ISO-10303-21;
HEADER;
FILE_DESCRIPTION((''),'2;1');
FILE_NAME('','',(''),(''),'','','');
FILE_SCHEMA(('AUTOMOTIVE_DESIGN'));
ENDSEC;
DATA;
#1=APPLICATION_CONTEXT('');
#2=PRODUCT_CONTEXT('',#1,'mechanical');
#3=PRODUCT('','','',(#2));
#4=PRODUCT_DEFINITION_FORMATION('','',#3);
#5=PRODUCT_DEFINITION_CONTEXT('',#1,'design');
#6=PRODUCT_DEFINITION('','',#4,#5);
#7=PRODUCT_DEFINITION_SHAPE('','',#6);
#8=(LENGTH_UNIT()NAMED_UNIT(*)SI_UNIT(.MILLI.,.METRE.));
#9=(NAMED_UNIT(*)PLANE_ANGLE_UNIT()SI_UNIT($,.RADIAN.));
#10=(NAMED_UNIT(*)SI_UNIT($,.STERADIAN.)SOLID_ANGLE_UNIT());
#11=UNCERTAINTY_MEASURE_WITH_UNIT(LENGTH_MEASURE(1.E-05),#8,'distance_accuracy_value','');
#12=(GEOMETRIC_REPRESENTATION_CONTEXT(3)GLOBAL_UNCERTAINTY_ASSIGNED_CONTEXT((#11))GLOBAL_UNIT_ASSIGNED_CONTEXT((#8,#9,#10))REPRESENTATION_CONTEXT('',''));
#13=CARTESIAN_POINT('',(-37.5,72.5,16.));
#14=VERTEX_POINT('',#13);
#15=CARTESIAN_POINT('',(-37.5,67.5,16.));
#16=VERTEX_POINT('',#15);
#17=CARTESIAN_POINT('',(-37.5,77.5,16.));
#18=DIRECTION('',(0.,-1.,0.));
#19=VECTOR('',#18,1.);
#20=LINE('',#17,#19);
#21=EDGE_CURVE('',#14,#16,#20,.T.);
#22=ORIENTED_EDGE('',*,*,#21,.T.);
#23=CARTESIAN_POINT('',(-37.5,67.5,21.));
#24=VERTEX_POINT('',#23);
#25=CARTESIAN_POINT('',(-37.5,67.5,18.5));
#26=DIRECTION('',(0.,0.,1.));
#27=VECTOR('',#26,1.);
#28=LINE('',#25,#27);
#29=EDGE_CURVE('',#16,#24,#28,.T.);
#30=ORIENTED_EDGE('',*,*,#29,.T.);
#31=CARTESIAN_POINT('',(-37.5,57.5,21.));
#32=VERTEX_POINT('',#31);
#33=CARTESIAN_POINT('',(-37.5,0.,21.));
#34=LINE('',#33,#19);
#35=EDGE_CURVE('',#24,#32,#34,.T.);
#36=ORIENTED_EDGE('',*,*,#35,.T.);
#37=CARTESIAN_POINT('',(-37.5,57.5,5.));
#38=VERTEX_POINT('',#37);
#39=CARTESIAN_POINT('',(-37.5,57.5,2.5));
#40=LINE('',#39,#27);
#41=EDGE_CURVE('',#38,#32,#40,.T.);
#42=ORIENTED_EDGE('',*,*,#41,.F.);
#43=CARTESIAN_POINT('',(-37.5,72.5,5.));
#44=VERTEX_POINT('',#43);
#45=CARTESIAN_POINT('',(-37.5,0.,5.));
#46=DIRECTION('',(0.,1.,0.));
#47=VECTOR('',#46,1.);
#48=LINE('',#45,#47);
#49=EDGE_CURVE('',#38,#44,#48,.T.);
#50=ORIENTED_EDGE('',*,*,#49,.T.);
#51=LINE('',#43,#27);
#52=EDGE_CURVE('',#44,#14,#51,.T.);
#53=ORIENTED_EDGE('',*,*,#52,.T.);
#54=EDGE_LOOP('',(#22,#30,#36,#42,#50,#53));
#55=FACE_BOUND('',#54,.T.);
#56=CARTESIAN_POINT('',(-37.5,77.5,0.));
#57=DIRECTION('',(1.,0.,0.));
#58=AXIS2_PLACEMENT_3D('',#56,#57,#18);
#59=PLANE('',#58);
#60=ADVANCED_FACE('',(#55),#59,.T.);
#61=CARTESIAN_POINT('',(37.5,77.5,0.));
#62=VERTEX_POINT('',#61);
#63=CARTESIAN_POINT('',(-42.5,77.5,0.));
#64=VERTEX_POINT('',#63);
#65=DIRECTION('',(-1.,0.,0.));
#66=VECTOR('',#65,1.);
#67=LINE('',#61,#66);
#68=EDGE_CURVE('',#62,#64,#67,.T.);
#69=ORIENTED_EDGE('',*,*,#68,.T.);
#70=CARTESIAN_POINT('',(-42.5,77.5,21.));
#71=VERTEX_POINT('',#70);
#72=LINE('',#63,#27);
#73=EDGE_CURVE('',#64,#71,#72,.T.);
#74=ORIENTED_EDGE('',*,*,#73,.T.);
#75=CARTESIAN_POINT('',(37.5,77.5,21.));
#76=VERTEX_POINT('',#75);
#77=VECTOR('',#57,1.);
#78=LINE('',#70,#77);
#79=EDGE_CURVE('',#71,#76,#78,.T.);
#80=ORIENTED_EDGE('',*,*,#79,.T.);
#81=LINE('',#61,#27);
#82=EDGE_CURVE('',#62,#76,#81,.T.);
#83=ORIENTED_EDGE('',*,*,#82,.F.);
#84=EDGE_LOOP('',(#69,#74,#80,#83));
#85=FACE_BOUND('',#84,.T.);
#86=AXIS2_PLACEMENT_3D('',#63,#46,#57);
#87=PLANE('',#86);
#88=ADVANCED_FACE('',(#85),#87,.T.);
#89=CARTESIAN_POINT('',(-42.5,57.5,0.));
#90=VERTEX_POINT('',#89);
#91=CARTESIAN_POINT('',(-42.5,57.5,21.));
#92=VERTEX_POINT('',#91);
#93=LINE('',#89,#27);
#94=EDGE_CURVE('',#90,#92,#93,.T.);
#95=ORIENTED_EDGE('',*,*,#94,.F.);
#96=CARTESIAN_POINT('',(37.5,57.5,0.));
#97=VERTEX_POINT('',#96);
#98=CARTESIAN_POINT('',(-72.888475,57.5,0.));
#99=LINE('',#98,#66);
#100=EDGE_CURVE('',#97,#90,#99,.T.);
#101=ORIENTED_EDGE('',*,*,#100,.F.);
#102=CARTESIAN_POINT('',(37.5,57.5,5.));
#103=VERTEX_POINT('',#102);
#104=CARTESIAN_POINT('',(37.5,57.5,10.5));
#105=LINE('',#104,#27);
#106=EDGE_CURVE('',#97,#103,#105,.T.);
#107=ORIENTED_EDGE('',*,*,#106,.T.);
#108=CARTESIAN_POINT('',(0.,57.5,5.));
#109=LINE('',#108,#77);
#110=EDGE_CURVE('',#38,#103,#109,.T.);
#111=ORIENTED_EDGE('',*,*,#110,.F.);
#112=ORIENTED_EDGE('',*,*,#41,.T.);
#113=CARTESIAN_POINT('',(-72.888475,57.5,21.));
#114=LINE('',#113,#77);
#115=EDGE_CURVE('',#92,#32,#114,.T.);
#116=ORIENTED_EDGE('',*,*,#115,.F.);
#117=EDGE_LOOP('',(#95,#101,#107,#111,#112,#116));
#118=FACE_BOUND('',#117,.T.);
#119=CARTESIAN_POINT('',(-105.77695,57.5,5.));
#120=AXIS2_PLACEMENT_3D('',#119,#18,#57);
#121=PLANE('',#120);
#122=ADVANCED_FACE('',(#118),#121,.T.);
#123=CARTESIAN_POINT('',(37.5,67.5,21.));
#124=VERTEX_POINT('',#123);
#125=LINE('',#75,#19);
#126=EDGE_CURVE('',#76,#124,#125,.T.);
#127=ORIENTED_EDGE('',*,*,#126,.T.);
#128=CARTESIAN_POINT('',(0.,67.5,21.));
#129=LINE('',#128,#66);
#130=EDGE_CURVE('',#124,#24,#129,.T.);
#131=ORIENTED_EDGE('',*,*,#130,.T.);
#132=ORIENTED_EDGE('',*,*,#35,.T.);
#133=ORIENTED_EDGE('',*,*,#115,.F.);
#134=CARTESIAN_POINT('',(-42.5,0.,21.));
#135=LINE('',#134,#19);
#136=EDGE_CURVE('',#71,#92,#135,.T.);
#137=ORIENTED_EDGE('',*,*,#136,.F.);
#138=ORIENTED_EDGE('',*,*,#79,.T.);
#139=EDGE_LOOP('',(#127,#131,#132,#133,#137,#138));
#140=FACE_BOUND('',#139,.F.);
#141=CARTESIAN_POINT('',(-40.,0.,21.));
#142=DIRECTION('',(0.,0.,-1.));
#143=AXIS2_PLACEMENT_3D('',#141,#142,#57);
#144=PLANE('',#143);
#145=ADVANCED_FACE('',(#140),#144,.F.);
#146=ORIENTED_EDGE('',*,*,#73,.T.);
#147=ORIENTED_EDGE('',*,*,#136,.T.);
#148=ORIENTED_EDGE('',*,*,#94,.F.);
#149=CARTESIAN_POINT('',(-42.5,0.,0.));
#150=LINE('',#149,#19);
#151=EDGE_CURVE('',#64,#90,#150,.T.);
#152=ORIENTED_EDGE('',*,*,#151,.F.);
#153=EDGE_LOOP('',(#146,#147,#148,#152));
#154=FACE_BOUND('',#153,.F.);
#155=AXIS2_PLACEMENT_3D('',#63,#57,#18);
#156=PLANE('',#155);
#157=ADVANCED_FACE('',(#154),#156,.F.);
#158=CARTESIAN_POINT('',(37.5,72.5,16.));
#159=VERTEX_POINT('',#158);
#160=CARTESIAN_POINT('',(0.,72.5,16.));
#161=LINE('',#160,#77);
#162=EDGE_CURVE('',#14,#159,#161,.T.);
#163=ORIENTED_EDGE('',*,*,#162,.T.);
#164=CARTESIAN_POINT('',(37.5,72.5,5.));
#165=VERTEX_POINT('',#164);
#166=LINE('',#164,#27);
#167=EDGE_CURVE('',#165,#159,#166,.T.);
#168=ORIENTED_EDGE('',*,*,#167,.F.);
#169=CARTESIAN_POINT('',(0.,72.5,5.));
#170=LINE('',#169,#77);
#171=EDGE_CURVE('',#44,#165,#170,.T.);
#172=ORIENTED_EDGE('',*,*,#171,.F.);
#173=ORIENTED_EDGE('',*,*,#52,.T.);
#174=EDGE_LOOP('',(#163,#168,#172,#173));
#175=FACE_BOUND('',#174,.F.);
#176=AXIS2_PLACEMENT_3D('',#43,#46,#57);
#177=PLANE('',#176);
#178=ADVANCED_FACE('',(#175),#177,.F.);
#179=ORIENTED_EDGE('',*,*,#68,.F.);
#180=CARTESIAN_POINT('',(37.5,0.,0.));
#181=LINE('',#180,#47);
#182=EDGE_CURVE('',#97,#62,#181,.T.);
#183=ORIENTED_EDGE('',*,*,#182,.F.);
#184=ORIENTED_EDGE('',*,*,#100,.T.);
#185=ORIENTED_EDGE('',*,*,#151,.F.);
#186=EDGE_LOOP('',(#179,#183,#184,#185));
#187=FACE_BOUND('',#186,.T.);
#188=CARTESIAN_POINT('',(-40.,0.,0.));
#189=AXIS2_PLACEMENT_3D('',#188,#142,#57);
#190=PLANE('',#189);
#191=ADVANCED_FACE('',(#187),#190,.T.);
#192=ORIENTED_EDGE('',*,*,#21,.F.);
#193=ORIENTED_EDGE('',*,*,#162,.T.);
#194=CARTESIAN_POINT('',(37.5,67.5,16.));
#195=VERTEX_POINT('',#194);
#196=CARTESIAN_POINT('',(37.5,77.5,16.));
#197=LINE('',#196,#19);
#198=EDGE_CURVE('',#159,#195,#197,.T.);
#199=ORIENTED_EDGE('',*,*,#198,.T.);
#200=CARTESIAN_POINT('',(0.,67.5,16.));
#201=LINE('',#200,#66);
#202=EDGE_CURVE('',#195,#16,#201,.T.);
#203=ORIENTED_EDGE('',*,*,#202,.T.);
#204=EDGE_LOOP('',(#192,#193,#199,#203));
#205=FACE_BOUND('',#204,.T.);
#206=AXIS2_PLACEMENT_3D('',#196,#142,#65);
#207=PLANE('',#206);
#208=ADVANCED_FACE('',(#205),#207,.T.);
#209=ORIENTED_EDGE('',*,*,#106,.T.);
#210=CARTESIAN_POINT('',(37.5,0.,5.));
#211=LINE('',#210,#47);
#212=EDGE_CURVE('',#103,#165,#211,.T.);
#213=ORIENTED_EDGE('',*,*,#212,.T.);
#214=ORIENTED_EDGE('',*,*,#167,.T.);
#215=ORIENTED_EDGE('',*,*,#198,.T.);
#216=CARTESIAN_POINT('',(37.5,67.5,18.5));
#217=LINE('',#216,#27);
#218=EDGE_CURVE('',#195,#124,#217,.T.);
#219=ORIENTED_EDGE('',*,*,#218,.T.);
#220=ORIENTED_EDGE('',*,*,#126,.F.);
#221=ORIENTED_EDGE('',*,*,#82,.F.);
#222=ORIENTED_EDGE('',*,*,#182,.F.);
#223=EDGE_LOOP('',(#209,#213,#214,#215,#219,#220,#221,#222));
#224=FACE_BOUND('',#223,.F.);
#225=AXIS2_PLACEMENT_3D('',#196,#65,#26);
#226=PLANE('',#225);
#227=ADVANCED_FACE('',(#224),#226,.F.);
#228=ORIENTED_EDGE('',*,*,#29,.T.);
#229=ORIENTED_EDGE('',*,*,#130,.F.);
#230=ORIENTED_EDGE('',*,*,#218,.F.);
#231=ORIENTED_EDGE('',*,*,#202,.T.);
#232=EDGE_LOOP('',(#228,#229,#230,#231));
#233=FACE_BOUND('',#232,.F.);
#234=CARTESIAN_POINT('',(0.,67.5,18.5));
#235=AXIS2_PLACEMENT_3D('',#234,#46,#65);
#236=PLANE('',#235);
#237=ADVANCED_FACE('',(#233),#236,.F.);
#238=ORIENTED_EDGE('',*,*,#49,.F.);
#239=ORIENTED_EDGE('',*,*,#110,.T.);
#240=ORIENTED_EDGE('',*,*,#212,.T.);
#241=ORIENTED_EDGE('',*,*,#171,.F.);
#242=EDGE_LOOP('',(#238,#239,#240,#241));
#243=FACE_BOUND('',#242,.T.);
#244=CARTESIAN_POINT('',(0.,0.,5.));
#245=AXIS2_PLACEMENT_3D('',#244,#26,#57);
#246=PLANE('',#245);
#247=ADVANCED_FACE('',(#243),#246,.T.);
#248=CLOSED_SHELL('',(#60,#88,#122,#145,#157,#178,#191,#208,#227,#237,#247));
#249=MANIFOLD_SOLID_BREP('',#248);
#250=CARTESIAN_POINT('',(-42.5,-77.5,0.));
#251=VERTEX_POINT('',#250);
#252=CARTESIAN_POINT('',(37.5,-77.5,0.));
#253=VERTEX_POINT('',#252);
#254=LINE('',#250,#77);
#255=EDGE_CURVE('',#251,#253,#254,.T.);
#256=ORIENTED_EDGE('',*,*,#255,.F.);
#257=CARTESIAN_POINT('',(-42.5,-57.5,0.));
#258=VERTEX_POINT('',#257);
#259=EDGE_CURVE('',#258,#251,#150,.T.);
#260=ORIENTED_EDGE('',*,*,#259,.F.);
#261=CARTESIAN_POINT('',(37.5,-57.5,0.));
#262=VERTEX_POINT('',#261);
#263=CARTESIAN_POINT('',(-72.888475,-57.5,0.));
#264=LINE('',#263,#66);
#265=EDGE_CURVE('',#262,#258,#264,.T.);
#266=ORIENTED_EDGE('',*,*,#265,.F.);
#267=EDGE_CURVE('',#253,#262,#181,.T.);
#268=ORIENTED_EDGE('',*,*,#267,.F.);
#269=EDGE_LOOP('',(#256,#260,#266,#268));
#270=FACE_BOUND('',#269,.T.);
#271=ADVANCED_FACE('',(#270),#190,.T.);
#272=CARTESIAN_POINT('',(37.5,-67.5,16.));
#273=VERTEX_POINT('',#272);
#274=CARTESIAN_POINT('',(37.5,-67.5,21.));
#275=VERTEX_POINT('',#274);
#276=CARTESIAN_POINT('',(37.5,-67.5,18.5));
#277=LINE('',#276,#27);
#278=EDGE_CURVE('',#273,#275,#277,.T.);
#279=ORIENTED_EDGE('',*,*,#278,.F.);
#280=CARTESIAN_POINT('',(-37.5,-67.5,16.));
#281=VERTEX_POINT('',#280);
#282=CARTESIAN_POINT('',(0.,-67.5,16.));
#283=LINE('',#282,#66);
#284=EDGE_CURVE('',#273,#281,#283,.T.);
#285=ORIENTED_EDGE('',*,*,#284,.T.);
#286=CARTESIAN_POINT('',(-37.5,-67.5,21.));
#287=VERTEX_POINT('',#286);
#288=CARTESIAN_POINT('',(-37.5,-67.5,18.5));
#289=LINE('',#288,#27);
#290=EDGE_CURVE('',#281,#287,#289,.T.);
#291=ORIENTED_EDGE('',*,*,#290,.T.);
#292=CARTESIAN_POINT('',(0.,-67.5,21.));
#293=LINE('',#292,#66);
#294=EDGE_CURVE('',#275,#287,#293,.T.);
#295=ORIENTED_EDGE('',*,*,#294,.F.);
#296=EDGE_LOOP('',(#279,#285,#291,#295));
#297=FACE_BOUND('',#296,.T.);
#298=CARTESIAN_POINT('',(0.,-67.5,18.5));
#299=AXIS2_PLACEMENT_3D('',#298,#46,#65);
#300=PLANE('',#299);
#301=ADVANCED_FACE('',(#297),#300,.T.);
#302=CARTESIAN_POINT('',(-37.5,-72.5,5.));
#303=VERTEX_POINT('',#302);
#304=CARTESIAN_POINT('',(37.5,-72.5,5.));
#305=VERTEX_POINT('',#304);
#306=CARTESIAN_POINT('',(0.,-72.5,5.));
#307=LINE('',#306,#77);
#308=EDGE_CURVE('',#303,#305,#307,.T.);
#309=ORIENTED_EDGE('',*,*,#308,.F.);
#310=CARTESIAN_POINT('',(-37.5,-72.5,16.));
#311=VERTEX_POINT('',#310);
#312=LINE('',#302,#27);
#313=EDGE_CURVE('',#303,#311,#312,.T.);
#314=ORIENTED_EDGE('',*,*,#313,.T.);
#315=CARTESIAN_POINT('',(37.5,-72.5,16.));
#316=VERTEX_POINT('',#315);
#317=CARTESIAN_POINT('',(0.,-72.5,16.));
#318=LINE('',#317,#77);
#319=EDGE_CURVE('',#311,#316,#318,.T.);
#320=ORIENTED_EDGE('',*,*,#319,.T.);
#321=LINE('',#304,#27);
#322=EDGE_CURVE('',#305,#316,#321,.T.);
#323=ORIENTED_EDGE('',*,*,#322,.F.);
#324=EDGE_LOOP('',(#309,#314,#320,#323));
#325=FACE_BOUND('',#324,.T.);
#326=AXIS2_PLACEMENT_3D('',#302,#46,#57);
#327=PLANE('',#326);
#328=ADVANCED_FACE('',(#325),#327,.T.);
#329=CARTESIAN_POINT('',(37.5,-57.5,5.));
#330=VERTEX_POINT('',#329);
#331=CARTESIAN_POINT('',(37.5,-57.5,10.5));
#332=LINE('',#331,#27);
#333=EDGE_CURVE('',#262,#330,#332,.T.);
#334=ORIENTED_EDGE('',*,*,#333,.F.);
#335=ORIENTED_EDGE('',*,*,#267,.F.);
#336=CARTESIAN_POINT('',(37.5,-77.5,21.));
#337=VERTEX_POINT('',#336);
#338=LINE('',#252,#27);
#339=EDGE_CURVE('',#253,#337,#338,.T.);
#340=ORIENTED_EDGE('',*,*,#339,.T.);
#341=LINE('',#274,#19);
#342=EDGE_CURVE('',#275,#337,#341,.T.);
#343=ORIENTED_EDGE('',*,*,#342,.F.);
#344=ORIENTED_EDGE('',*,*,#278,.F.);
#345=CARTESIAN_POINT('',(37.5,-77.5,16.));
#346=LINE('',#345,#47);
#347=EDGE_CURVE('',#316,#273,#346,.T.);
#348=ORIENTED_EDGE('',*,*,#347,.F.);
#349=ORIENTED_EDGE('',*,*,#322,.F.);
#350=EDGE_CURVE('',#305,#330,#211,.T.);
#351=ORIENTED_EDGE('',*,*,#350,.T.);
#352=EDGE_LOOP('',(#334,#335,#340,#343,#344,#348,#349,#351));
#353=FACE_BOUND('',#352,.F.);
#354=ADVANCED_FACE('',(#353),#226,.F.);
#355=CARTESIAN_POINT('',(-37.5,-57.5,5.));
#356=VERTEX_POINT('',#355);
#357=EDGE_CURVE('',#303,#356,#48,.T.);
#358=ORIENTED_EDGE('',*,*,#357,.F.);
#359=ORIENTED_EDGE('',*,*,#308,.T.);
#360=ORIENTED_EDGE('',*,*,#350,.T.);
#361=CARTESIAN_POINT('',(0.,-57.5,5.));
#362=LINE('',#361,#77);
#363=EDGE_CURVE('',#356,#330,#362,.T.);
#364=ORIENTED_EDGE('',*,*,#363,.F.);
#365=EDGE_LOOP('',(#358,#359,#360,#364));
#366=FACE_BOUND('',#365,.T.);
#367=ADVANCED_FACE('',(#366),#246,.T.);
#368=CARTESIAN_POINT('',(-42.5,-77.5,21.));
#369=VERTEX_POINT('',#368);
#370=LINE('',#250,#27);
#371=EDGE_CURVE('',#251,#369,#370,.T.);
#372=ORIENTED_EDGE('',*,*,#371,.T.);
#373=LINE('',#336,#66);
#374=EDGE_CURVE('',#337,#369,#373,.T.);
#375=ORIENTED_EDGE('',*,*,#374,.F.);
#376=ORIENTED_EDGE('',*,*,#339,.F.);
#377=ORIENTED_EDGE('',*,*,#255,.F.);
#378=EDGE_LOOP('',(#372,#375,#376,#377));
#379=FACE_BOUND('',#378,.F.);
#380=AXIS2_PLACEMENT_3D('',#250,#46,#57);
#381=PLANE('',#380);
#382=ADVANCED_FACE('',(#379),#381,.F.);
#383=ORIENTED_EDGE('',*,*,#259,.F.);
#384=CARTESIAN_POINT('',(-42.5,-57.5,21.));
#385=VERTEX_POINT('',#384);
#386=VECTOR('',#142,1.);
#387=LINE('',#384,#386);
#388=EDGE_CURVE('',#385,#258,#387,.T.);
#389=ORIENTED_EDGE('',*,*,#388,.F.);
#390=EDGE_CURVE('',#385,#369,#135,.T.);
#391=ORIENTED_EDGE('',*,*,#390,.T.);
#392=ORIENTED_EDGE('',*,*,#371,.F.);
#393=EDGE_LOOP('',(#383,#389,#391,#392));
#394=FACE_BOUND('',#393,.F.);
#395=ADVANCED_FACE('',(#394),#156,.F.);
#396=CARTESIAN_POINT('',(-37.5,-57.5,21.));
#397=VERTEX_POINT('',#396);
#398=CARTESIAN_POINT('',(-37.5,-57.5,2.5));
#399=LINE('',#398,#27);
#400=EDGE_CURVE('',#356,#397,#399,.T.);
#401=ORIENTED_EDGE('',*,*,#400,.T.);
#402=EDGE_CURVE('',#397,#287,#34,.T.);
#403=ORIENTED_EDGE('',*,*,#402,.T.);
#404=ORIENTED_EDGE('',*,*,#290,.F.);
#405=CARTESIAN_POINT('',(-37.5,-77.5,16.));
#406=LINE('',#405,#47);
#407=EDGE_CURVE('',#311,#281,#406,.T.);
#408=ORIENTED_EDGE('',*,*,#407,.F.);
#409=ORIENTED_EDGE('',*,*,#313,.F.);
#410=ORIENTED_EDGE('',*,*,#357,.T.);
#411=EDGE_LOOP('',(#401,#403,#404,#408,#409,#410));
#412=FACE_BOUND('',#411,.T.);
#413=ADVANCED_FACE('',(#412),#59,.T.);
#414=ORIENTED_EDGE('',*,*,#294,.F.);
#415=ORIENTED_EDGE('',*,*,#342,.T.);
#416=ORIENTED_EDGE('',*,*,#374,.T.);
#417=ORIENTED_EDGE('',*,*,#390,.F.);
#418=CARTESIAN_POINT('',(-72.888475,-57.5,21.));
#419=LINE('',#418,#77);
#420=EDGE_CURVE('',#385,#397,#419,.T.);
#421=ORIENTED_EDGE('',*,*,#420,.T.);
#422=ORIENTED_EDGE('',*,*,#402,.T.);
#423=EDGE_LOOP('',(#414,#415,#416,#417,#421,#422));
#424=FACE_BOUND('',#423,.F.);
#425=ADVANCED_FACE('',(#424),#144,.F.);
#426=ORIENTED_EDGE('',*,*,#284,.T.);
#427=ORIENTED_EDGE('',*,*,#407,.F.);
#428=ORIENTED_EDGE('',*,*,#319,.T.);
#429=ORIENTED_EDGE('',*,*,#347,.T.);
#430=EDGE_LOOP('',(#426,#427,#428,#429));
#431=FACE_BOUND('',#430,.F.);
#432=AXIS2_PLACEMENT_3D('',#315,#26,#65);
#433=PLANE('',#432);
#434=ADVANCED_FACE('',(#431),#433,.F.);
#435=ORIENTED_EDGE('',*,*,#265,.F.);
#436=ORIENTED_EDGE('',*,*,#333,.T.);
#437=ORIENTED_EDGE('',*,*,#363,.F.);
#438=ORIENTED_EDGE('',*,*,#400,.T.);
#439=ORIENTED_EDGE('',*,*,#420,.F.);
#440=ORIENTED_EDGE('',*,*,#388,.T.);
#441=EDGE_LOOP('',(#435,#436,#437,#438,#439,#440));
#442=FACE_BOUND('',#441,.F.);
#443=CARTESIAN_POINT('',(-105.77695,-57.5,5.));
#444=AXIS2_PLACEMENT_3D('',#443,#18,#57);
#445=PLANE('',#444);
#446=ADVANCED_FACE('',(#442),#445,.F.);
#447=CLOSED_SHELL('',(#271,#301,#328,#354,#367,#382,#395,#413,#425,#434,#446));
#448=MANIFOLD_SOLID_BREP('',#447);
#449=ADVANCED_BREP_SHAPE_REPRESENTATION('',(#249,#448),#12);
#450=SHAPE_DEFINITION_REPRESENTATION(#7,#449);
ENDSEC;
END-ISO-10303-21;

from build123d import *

# Parameters (mm, degrees)
F0_W      = 75
F0_H      = 155
F1_DEPTH  = 5
F2_W      = 75
F2_H      = 5
F3_DEPTH  = 11
F4_W      = 75
F4_H      = 5
F5_DEPTH  = 5
F5_FACE_W = 75
F5_FACE_H = 5
F6_DEPTH  = 5
F8_W      = 75
F8_H      = 5
F9_DEPTH  = 11
F10_W     = 75
F10_H     = 5
F11_DEPTH = 10
F12_W     = 5
F12_H     = 155
F13_DEPTH = 21
F14_W     = 211.5539
F14_H     = 115
F15_DEPTH = 5.001
F16_DEPTH = 25


with BuildPart() as f1:
    # F0 (on Top) → F1 (new body)
    with BuildSketch(Plane.XY):
        Rectangle(F0_W, F0_H)
    extrude(amount=F1_DEPTH)

    # F2 (on face) → F3 (join)
    with BuildSketch(Plane.XY.offset(5)):
        with Locations((0, -75)):
            Rectangle(F2_W, F2_H)
    extrude(amount=F3_DEPTH)


with BuildPart() as f5:
    # F4 (on face) → F5 (new body)
    with BuildSketch(Plane(origin=(0, -72.5, 0), x_dir=(-1, 0, 0), z_dir=(0, 1, 0))):
        with Locations((0, 18.5)):
            Rectangle(F4_W, F4_H)
    extrude(amount=F5_DEPTH)


with BuildPart() as f6:
    # F5_face (on face) → F6 (new body)
    with BuildSketch(Plane(origin=(0, -72.5, 18.5), x_dir=(-1, 0, 0), z_dir=(0, -1, 0))):
        Rectangle(F5_FACE_W, F5_FACE_H)
    extrude(amount=F6_DEPTH)

    # F7: union F5, F1
    add(f5.part)
    add(f1.part)

    # F8 (on face) → F9 (join)
    with BuildSketch(Plane.XY.offset(5)):
        with Locations((0, 75)):
            Rectangle(F8_W, F8_H)
    extrude(amount=F9_DEPTH)

    # F10 (on face) → F11 (join)
    with BuildSketch(Plane(origin=(0, 77.5, 0), x_dir=(-1, 0, 0), z_dir=(0, 1, 0))):
        with Locations((0, 18.5)):
            Rectangle(F10_W, F10_H)
    extrude(amount=-F11_DEPTH)

    # F12 (on face) → F13 (join, through all)
    with BuildSketch(Plane(origin=(0, 0, 0), x_dir=(1, 0, 0), z_dir=(0, 0, -1))):
        with Locations((-40, 0)):
            Rectangle(F12_W, F12_H)
    extrude(amount=-F13_DEPTH)

    # F14 (on face) → F15 (cut, through all)
    with BuildSketch(Plane.XY.offset(5)):
        Rectangle(F14_W, F14_H)
    extrude(amount=-F15_DEPTH, mode=Mode.SUBTRACT)

    # F14 (on face) → F16 (cut)
    with BuildSketch(Plane.XY.offset(5)):
        Rectangle(F14_W, F14_H)
    extrude(amount=F16_DEPTH, mode=Mode.SUBTRACT)


solid = f6.part
